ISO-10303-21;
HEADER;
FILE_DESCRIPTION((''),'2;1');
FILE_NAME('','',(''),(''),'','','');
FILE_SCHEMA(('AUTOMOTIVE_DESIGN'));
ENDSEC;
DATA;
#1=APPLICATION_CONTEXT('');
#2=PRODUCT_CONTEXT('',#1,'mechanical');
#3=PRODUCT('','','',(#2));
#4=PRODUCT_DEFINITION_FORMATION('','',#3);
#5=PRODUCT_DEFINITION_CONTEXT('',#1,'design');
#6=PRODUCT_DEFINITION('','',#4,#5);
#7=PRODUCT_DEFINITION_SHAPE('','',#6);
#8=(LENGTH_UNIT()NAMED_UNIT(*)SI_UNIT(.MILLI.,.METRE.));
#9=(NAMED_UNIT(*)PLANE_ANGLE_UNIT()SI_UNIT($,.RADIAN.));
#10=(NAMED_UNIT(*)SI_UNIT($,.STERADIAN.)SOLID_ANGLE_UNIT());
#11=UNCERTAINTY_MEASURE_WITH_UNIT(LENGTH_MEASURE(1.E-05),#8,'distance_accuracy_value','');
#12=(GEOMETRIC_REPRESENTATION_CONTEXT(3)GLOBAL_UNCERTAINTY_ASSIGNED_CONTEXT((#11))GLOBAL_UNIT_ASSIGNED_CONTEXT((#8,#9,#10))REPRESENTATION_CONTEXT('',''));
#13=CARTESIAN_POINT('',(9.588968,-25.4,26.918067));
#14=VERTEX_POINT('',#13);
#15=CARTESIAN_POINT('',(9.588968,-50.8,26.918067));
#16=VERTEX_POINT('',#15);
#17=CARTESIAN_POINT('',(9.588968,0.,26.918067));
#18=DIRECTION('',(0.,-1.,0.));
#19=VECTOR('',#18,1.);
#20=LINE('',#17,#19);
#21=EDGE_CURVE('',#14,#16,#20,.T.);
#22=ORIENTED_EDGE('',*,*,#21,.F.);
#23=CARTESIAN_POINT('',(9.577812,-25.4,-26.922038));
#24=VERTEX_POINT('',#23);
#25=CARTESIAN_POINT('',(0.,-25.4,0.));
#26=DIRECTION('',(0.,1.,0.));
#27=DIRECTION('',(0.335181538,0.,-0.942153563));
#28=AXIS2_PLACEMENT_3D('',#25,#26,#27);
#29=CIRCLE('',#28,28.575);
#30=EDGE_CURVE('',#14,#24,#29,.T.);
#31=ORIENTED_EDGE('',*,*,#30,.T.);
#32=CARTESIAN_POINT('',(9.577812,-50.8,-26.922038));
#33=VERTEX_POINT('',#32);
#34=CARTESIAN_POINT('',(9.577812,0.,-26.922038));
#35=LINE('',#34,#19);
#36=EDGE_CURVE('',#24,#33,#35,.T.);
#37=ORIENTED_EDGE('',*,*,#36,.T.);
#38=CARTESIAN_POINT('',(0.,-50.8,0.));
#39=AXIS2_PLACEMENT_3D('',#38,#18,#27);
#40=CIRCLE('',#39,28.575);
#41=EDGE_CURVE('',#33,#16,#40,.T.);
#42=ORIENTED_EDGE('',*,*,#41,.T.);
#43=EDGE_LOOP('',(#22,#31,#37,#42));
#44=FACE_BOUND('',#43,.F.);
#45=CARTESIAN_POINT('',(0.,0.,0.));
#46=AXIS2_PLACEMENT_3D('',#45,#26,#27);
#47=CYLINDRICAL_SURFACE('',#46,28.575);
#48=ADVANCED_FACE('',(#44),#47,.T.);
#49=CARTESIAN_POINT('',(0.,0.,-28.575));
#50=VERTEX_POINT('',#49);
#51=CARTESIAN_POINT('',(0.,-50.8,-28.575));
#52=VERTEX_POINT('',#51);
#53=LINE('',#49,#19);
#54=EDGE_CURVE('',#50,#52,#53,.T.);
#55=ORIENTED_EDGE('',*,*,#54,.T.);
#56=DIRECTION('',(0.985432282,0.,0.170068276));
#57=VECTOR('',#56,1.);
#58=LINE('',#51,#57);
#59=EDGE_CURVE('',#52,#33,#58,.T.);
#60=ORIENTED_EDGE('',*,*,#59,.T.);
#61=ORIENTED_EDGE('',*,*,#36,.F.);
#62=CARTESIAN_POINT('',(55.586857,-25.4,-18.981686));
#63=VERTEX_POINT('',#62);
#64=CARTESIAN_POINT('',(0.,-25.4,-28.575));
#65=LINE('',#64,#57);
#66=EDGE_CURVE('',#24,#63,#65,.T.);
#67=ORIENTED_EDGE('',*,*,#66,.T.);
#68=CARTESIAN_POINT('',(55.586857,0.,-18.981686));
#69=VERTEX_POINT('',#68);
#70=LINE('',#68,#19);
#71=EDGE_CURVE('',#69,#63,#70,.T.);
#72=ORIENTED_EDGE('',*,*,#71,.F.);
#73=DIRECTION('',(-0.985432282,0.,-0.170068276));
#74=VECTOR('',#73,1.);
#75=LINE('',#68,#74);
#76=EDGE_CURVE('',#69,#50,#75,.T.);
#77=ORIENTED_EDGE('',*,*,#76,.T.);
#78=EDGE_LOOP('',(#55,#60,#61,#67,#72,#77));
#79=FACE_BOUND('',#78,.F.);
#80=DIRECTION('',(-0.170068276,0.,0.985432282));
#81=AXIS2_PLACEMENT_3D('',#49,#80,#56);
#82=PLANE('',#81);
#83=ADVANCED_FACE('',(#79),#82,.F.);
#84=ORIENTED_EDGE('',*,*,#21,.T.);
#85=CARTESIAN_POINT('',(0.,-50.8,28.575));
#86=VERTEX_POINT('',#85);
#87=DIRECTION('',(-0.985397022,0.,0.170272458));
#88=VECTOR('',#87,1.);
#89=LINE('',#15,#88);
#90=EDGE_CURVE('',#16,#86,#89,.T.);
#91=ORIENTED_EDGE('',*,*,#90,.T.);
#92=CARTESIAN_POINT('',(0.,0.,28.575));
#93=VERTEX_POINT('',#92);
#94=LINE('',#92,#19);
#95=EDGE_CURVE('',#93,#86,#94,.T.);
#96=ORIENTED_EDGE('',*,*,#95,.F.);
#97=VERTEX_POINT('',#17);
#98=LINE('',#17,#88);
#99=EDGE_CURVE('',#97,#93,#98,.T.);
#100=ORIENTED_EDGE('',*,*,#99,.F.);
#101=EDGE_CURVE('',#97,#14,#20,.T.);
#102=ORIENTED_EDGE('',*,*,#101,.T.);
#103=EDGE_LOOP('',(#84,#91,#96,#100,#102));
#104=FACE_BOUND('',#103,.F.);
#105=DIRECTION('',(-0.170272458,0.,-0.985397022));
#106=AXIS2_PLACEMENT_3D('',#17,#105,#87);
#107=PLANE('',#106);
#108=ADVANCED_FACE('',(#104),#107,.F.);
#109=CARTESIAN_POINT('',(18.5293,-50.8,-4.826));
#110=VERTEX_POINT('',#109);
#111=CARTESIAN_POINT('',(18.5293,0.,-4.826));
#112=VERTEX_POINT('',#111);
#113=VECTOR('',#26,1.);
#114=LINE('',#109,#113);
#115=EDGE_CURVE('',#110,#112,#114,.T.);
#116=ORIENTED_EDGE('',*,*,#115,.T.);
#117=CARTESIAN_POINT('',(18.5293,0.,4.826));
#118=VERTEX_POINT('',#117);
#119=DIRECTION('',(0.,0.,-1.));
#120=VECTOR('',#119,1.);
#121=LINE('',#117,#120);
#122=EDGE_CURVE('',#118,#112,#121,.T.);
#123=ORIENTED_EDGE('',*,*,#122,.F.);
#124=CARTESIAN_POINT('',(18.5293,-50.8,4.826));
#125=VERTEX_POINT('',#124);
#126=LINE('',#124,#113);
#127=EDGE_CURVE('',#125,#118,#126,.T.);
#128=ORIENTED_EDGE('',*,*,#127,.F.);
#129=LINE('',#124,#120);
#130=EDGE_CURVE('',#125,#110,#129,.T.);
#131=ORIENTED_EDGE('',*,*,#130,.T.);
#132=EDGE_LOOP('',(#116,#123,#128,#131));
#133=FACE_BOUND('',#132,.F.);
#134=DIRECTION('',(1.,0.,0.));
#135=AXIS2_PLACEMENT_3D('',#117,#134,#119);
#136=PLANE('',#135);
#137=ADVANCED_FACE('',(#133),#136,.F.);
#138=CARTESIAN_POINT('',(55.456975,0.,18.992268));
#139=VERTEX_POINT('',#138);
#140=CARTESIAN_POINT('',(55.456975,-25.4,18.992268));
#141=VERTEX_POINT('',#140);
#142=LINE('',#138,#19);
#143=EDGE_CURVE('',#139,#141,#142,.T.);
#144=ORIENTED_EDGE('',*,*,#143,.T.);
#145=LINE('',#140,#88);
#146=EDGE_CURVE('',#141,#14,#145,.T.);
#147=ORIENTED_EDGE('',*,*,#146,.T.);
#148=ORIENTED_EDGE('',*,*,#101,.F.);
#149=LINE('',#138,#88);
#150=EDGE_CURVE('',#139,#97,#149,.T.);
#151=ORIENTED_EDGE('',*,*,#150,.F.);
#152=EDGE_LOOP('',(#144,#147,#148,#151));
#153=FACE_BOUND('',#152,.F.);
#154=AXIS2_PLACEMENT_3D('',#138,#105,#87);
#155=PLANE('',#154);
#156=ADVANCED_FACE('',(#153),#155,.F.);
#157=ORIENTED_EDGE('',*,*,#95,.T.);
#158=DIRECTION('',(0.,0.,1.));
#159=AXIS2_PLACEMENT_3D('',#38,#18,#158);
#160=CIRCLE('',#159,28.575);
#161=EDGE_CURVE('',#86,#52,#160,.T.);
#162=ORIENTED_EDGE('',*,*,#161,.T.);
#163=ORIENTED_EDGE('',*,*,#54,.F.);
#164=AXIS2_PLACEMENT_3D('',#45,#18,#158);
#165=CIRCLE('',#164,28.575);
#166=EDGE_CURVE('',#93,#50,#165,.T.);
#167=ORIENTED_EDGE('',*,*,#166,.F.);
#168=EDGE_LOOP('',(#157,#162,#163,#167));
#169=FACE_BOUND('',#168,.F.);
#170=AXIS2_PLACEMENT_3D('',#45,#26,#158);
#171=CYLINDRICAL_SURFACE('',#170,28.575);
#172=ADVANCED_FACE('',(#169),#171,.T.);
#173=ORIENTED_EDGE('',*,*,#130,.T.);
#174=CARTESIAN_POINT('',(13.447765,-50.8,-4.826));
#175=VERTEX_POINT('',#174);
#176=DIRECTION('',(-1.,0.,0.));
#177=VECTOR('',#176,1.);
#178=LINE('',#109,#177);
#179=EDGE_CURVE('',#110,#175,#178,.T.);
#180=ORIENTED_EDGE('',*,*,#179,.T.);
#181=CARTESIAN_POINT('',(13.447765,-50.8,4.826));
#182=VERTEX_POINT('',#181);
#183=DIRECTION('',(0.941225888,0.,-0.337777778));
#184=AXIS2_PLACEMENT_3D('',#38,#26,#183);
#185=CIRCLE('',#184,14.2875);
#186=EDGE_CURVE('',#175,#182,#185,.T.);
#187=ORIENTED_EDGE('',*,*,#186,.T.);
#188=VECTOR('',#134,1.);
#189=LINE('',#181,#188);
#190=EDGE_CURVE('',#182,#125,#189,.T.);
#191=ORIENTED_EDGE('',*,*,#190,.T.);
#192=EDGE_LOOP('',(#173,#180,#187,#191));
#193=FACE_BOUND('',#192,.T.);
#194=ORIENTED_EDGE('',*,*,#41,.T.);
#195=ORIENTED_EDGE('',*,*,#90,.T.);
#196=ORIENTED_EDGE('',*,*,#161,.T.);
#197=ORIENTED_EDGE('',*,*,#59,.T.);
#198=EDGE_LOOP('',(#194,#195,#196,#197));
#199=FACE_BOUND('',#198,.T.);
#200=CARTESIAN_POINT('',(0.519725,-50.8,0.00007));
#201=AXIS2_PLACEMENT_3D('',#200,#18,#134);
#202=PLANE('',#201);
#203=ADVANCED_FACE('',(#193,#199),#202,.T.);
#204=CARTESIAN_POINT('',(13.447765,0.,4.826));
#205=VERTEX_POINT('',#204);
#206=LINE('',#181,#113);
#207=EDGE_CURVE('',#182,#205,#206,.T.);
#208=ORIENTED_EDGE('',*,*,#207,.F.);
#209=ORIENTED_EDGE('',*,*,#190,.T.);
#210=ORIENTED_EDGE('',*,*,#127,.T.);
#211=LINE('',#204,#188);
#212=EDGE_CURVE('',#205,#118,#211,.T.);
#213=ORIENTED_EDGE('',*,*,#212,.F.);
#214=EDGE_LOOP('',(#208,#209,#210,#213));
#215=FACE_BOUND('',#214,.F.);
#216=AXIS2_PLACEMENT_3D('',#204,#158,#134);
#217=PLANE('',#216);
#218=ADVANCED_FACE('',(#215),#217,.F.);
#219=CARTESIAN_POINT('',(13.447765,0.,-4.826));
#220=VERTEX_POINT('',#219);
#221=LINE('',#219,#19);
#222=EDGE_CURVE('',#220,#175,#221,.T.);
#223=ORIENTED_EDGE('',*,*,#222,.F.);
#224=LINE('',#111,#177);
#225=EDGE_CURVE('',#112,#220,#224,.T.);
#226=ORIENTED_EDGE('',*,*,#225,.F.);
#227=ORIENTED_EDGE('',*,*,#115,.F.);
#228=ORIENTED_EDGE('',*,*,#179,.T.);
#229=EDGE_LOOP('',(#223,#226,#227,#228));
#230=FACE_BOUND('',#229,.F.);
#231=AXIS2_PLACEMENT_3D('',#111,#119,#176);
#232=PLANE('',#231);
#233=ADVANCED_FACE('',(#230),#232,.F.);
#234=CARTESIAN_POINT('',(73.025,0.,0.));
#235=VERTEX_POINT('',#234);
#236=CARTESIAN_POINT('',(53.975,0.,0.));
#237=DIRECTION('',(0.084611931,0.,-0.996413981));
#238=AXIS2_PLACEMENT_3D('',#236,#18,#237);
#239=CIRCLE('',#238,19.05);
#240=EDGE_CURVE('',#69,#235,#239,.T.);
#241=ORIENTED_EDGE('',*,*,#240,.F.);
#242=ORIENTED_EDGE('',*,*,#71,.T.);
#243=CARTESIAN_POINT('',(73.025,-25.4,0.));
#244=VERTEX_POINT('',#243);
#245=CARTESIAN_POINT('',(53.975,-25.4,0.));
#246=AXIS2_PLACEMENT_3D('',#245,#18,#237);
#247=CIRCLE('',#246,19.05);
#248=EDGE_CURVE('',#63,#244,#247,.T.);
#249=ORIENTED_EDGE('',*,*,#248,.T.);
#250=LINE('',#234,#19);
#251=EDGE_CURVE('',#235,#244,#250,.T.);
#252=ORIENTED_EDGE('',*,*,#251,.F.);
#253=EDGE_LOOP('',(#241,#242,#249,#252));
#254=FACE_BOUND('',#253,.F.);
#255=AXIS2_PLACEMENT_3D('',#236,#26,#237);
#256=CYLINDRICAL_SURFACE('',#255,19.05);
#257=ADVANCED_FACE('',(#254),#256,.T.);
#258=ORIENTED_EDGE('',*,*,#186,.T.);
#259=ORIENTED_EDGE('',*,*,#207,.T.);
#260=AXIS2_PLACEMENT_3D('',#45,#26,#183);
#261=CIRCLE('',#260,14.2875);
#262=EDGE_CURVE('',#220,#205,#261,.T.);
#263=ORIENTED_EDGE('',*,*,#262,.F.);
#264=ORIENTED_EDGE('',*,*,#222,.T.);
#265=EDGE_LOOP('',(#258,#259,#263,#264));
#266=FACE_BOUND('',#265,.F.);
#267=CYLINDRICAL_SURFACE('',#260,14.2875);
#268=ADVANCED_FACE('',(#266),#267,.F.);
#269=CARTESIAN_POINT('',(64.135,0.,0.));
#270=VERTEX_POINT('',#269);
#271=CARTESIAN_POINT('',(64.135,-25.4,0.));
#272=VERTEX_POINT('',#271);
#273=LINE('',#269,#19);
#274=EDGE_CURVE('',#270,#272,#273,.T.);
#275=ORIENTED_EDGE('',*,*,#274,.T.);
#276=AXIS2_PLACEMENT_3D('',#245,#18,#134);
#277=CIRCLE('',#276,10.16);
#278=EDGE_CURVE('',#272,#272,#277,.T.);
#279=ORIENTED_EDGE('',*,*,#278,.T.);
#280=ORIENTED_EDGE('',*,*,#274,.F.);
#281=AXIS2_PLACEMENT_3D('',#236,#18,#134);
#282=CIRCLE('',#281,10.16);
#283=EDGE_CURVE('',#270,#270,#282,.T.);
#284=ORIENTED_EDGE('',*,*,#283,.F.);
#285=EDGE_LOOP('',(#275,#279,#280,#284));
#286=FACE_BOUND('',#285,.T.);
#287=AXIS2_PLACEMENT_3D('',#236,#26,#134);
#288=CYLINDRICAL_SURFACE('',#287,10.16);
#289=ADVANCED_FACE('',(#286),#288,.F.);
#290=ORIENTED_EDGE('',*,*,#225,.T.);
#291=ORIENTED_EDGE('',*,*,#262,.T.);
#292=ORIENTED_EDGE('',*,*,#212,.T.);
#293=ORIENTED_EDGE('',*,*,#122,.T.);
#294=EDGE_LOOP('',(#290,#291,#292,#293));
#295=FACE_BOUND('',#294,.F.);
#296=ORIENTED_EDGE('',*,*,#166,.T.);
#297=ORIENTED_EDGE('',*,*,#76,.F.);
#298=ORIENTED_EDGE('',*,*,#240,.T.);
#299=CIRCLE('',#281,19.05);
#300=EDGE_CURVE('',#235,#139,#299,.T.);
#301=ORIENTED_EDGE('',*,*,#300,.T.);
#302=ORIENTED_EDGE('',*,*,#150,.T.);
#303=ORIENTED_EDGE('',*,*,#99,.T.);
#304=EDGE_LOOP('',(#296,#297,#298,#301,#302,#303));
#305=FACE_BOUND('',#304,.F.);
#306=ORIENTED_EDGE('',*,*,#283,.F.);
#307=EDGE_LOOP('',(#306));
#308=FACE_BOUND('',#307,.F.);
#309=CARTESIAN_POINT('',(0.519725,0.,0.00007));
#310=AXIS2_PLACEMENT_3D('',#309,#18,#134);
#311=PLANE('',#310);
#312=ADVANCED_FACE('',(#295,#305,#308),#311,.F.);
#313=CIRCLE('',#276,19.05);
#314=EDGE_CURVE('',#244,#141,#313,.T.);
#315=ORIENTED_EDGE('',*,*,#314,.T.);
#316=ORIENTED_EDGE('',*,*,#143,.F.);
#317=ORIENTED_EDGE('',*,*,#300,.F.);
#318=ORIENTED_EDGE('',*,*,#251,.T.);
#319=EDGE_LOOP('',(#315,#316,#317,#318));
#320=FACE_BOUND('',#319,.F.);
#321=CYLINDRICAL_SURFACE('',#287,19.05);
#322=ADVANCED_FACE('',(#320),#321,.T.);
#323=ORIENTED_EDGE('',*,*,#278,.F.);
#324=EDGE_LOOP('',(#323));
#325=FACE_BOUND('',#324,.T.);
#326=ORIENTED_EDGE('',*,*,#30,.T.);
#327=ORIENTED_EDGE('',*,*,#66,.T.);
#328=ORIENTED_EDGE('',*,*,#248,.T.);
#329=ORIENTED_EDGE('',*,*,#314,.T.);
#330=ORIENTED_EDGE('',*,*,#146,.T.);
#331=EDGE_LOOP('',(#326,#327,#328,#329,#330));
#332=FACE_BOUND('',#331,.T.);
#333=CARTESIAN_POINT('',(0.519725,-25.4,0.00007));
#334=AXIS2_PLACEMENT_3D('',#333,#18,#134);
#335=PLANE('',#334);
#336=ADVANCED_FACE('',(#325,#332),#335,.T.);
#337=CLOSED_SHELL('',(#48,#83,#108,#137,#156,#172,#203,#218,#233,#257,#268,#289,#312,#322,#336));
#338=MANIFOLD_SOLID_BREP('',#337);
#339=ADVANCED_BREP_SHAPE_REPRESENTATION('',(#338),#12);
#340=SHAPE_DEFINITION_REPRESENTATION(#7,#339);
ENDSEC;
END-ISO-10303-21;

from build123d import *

# Parameters (mm, degrees)
F1_DEPTH = 50.8
F0_R     = 10.16
F2_DEPTH = 25.4


with BuildPart() as f1:
    # F0 (on Front) → F1 (new body)
    with BuildSketch(Plane.XZ):
        with BuildLine():
            Line((9.5889683475, 26.9180666288), (0, 28.575))
            ThreePointArc((0, 28.575), (-28.575, 0), (0, -28.575))
            Line((0, -28.575), (9.5778124487, -26.9220380673))
            ThreePointArc((9.5778124487, -26.9220380673), (28.5749993866, -0.0059208615), (9.5889683475, 26.9180666288))
        make_face()
        with BuildLine():
            ThreePointArc((13.4477648793, -4.826), (-14.2875, 0), (13.4477648793, 4.826))
            Line((13.4477648793, 4.826), (18.5293, 4.826))
            Line((18.5293, 4.826), (18.5293, -4.826))
            Line((18.5293, -4.826), (13.4477648793, -4.826))
        make_face(mode=Mode.SUBTRACT)
    extrude(amount=F1_DEPTH)

    # F0 (on Front) → F2 (join)
    with BuildSketch(Plane.XZ):
        with BuildLine():
            Line((9.5889683475, 26.9180666288), (0, 28.575))
            ThreePointArc((0, 28.575), (-28.575, 0), (0, -28.575))
            Line((0, -28.575), (9.5778124487, -26.9220380673))
            ThreePointArc((9.5778124487, -26.9220380673), (28.5749993866, -0.0059208615), (9.5889683475, 26.9180666288))
        make_face()
        with BuildLine():
            ThreePointArc((13.4477648793, -4.826), (-14.2875, 0), (13.4477648793, 4.826))
            Line((13.4477648793, 4.826), (18.5293, 4.826))
            Line((18.5293, 4.826), (18.5293, -4.826))
            Line((18.5293, -4.826), (13.4477648793, -4.826))
        make_face(mode=Mode.SUBTRACT)
        with BuildLine():
            Line((55.4569746603, 18.9922681928), (9.5889683475, 26.9180666288))
            ThreePointArc((9.5889683475, 26.9180666288), (28.5749993866, -0.0059208615), (9.5778124487, -26.9220380673))
            Line((9.5778124487, -26.9220380673), (55.586857287, -18.9816863341))
            ThreePointArc((55.586857287, -18.9816863341), (34.9251114273, -0.0651564894), (55.4569746603, 18.9922681928))
        make_face()
        with BuildLine():
            ThreePointArc((73.025, 0), (67.9595292606, 12.9358200884), (55.4569746603, 18.9922681928))
            ThreePointArc((55.4569746603, 18.9922681928), (34.9251114273, -0.0651564894), (55.586857287, -18.9816863341))
            ThreePointArc((55.586857287, -18.9816863341), (68.0036916945, -12.8879133044), (73.025, 0))
        make_face()
        with Locations((53.975, 0)):
            Circle(F0_R, mode=Mode.SUBTRACT)
    extrude(amount=F2_DEPTH)


solid = f1.part
